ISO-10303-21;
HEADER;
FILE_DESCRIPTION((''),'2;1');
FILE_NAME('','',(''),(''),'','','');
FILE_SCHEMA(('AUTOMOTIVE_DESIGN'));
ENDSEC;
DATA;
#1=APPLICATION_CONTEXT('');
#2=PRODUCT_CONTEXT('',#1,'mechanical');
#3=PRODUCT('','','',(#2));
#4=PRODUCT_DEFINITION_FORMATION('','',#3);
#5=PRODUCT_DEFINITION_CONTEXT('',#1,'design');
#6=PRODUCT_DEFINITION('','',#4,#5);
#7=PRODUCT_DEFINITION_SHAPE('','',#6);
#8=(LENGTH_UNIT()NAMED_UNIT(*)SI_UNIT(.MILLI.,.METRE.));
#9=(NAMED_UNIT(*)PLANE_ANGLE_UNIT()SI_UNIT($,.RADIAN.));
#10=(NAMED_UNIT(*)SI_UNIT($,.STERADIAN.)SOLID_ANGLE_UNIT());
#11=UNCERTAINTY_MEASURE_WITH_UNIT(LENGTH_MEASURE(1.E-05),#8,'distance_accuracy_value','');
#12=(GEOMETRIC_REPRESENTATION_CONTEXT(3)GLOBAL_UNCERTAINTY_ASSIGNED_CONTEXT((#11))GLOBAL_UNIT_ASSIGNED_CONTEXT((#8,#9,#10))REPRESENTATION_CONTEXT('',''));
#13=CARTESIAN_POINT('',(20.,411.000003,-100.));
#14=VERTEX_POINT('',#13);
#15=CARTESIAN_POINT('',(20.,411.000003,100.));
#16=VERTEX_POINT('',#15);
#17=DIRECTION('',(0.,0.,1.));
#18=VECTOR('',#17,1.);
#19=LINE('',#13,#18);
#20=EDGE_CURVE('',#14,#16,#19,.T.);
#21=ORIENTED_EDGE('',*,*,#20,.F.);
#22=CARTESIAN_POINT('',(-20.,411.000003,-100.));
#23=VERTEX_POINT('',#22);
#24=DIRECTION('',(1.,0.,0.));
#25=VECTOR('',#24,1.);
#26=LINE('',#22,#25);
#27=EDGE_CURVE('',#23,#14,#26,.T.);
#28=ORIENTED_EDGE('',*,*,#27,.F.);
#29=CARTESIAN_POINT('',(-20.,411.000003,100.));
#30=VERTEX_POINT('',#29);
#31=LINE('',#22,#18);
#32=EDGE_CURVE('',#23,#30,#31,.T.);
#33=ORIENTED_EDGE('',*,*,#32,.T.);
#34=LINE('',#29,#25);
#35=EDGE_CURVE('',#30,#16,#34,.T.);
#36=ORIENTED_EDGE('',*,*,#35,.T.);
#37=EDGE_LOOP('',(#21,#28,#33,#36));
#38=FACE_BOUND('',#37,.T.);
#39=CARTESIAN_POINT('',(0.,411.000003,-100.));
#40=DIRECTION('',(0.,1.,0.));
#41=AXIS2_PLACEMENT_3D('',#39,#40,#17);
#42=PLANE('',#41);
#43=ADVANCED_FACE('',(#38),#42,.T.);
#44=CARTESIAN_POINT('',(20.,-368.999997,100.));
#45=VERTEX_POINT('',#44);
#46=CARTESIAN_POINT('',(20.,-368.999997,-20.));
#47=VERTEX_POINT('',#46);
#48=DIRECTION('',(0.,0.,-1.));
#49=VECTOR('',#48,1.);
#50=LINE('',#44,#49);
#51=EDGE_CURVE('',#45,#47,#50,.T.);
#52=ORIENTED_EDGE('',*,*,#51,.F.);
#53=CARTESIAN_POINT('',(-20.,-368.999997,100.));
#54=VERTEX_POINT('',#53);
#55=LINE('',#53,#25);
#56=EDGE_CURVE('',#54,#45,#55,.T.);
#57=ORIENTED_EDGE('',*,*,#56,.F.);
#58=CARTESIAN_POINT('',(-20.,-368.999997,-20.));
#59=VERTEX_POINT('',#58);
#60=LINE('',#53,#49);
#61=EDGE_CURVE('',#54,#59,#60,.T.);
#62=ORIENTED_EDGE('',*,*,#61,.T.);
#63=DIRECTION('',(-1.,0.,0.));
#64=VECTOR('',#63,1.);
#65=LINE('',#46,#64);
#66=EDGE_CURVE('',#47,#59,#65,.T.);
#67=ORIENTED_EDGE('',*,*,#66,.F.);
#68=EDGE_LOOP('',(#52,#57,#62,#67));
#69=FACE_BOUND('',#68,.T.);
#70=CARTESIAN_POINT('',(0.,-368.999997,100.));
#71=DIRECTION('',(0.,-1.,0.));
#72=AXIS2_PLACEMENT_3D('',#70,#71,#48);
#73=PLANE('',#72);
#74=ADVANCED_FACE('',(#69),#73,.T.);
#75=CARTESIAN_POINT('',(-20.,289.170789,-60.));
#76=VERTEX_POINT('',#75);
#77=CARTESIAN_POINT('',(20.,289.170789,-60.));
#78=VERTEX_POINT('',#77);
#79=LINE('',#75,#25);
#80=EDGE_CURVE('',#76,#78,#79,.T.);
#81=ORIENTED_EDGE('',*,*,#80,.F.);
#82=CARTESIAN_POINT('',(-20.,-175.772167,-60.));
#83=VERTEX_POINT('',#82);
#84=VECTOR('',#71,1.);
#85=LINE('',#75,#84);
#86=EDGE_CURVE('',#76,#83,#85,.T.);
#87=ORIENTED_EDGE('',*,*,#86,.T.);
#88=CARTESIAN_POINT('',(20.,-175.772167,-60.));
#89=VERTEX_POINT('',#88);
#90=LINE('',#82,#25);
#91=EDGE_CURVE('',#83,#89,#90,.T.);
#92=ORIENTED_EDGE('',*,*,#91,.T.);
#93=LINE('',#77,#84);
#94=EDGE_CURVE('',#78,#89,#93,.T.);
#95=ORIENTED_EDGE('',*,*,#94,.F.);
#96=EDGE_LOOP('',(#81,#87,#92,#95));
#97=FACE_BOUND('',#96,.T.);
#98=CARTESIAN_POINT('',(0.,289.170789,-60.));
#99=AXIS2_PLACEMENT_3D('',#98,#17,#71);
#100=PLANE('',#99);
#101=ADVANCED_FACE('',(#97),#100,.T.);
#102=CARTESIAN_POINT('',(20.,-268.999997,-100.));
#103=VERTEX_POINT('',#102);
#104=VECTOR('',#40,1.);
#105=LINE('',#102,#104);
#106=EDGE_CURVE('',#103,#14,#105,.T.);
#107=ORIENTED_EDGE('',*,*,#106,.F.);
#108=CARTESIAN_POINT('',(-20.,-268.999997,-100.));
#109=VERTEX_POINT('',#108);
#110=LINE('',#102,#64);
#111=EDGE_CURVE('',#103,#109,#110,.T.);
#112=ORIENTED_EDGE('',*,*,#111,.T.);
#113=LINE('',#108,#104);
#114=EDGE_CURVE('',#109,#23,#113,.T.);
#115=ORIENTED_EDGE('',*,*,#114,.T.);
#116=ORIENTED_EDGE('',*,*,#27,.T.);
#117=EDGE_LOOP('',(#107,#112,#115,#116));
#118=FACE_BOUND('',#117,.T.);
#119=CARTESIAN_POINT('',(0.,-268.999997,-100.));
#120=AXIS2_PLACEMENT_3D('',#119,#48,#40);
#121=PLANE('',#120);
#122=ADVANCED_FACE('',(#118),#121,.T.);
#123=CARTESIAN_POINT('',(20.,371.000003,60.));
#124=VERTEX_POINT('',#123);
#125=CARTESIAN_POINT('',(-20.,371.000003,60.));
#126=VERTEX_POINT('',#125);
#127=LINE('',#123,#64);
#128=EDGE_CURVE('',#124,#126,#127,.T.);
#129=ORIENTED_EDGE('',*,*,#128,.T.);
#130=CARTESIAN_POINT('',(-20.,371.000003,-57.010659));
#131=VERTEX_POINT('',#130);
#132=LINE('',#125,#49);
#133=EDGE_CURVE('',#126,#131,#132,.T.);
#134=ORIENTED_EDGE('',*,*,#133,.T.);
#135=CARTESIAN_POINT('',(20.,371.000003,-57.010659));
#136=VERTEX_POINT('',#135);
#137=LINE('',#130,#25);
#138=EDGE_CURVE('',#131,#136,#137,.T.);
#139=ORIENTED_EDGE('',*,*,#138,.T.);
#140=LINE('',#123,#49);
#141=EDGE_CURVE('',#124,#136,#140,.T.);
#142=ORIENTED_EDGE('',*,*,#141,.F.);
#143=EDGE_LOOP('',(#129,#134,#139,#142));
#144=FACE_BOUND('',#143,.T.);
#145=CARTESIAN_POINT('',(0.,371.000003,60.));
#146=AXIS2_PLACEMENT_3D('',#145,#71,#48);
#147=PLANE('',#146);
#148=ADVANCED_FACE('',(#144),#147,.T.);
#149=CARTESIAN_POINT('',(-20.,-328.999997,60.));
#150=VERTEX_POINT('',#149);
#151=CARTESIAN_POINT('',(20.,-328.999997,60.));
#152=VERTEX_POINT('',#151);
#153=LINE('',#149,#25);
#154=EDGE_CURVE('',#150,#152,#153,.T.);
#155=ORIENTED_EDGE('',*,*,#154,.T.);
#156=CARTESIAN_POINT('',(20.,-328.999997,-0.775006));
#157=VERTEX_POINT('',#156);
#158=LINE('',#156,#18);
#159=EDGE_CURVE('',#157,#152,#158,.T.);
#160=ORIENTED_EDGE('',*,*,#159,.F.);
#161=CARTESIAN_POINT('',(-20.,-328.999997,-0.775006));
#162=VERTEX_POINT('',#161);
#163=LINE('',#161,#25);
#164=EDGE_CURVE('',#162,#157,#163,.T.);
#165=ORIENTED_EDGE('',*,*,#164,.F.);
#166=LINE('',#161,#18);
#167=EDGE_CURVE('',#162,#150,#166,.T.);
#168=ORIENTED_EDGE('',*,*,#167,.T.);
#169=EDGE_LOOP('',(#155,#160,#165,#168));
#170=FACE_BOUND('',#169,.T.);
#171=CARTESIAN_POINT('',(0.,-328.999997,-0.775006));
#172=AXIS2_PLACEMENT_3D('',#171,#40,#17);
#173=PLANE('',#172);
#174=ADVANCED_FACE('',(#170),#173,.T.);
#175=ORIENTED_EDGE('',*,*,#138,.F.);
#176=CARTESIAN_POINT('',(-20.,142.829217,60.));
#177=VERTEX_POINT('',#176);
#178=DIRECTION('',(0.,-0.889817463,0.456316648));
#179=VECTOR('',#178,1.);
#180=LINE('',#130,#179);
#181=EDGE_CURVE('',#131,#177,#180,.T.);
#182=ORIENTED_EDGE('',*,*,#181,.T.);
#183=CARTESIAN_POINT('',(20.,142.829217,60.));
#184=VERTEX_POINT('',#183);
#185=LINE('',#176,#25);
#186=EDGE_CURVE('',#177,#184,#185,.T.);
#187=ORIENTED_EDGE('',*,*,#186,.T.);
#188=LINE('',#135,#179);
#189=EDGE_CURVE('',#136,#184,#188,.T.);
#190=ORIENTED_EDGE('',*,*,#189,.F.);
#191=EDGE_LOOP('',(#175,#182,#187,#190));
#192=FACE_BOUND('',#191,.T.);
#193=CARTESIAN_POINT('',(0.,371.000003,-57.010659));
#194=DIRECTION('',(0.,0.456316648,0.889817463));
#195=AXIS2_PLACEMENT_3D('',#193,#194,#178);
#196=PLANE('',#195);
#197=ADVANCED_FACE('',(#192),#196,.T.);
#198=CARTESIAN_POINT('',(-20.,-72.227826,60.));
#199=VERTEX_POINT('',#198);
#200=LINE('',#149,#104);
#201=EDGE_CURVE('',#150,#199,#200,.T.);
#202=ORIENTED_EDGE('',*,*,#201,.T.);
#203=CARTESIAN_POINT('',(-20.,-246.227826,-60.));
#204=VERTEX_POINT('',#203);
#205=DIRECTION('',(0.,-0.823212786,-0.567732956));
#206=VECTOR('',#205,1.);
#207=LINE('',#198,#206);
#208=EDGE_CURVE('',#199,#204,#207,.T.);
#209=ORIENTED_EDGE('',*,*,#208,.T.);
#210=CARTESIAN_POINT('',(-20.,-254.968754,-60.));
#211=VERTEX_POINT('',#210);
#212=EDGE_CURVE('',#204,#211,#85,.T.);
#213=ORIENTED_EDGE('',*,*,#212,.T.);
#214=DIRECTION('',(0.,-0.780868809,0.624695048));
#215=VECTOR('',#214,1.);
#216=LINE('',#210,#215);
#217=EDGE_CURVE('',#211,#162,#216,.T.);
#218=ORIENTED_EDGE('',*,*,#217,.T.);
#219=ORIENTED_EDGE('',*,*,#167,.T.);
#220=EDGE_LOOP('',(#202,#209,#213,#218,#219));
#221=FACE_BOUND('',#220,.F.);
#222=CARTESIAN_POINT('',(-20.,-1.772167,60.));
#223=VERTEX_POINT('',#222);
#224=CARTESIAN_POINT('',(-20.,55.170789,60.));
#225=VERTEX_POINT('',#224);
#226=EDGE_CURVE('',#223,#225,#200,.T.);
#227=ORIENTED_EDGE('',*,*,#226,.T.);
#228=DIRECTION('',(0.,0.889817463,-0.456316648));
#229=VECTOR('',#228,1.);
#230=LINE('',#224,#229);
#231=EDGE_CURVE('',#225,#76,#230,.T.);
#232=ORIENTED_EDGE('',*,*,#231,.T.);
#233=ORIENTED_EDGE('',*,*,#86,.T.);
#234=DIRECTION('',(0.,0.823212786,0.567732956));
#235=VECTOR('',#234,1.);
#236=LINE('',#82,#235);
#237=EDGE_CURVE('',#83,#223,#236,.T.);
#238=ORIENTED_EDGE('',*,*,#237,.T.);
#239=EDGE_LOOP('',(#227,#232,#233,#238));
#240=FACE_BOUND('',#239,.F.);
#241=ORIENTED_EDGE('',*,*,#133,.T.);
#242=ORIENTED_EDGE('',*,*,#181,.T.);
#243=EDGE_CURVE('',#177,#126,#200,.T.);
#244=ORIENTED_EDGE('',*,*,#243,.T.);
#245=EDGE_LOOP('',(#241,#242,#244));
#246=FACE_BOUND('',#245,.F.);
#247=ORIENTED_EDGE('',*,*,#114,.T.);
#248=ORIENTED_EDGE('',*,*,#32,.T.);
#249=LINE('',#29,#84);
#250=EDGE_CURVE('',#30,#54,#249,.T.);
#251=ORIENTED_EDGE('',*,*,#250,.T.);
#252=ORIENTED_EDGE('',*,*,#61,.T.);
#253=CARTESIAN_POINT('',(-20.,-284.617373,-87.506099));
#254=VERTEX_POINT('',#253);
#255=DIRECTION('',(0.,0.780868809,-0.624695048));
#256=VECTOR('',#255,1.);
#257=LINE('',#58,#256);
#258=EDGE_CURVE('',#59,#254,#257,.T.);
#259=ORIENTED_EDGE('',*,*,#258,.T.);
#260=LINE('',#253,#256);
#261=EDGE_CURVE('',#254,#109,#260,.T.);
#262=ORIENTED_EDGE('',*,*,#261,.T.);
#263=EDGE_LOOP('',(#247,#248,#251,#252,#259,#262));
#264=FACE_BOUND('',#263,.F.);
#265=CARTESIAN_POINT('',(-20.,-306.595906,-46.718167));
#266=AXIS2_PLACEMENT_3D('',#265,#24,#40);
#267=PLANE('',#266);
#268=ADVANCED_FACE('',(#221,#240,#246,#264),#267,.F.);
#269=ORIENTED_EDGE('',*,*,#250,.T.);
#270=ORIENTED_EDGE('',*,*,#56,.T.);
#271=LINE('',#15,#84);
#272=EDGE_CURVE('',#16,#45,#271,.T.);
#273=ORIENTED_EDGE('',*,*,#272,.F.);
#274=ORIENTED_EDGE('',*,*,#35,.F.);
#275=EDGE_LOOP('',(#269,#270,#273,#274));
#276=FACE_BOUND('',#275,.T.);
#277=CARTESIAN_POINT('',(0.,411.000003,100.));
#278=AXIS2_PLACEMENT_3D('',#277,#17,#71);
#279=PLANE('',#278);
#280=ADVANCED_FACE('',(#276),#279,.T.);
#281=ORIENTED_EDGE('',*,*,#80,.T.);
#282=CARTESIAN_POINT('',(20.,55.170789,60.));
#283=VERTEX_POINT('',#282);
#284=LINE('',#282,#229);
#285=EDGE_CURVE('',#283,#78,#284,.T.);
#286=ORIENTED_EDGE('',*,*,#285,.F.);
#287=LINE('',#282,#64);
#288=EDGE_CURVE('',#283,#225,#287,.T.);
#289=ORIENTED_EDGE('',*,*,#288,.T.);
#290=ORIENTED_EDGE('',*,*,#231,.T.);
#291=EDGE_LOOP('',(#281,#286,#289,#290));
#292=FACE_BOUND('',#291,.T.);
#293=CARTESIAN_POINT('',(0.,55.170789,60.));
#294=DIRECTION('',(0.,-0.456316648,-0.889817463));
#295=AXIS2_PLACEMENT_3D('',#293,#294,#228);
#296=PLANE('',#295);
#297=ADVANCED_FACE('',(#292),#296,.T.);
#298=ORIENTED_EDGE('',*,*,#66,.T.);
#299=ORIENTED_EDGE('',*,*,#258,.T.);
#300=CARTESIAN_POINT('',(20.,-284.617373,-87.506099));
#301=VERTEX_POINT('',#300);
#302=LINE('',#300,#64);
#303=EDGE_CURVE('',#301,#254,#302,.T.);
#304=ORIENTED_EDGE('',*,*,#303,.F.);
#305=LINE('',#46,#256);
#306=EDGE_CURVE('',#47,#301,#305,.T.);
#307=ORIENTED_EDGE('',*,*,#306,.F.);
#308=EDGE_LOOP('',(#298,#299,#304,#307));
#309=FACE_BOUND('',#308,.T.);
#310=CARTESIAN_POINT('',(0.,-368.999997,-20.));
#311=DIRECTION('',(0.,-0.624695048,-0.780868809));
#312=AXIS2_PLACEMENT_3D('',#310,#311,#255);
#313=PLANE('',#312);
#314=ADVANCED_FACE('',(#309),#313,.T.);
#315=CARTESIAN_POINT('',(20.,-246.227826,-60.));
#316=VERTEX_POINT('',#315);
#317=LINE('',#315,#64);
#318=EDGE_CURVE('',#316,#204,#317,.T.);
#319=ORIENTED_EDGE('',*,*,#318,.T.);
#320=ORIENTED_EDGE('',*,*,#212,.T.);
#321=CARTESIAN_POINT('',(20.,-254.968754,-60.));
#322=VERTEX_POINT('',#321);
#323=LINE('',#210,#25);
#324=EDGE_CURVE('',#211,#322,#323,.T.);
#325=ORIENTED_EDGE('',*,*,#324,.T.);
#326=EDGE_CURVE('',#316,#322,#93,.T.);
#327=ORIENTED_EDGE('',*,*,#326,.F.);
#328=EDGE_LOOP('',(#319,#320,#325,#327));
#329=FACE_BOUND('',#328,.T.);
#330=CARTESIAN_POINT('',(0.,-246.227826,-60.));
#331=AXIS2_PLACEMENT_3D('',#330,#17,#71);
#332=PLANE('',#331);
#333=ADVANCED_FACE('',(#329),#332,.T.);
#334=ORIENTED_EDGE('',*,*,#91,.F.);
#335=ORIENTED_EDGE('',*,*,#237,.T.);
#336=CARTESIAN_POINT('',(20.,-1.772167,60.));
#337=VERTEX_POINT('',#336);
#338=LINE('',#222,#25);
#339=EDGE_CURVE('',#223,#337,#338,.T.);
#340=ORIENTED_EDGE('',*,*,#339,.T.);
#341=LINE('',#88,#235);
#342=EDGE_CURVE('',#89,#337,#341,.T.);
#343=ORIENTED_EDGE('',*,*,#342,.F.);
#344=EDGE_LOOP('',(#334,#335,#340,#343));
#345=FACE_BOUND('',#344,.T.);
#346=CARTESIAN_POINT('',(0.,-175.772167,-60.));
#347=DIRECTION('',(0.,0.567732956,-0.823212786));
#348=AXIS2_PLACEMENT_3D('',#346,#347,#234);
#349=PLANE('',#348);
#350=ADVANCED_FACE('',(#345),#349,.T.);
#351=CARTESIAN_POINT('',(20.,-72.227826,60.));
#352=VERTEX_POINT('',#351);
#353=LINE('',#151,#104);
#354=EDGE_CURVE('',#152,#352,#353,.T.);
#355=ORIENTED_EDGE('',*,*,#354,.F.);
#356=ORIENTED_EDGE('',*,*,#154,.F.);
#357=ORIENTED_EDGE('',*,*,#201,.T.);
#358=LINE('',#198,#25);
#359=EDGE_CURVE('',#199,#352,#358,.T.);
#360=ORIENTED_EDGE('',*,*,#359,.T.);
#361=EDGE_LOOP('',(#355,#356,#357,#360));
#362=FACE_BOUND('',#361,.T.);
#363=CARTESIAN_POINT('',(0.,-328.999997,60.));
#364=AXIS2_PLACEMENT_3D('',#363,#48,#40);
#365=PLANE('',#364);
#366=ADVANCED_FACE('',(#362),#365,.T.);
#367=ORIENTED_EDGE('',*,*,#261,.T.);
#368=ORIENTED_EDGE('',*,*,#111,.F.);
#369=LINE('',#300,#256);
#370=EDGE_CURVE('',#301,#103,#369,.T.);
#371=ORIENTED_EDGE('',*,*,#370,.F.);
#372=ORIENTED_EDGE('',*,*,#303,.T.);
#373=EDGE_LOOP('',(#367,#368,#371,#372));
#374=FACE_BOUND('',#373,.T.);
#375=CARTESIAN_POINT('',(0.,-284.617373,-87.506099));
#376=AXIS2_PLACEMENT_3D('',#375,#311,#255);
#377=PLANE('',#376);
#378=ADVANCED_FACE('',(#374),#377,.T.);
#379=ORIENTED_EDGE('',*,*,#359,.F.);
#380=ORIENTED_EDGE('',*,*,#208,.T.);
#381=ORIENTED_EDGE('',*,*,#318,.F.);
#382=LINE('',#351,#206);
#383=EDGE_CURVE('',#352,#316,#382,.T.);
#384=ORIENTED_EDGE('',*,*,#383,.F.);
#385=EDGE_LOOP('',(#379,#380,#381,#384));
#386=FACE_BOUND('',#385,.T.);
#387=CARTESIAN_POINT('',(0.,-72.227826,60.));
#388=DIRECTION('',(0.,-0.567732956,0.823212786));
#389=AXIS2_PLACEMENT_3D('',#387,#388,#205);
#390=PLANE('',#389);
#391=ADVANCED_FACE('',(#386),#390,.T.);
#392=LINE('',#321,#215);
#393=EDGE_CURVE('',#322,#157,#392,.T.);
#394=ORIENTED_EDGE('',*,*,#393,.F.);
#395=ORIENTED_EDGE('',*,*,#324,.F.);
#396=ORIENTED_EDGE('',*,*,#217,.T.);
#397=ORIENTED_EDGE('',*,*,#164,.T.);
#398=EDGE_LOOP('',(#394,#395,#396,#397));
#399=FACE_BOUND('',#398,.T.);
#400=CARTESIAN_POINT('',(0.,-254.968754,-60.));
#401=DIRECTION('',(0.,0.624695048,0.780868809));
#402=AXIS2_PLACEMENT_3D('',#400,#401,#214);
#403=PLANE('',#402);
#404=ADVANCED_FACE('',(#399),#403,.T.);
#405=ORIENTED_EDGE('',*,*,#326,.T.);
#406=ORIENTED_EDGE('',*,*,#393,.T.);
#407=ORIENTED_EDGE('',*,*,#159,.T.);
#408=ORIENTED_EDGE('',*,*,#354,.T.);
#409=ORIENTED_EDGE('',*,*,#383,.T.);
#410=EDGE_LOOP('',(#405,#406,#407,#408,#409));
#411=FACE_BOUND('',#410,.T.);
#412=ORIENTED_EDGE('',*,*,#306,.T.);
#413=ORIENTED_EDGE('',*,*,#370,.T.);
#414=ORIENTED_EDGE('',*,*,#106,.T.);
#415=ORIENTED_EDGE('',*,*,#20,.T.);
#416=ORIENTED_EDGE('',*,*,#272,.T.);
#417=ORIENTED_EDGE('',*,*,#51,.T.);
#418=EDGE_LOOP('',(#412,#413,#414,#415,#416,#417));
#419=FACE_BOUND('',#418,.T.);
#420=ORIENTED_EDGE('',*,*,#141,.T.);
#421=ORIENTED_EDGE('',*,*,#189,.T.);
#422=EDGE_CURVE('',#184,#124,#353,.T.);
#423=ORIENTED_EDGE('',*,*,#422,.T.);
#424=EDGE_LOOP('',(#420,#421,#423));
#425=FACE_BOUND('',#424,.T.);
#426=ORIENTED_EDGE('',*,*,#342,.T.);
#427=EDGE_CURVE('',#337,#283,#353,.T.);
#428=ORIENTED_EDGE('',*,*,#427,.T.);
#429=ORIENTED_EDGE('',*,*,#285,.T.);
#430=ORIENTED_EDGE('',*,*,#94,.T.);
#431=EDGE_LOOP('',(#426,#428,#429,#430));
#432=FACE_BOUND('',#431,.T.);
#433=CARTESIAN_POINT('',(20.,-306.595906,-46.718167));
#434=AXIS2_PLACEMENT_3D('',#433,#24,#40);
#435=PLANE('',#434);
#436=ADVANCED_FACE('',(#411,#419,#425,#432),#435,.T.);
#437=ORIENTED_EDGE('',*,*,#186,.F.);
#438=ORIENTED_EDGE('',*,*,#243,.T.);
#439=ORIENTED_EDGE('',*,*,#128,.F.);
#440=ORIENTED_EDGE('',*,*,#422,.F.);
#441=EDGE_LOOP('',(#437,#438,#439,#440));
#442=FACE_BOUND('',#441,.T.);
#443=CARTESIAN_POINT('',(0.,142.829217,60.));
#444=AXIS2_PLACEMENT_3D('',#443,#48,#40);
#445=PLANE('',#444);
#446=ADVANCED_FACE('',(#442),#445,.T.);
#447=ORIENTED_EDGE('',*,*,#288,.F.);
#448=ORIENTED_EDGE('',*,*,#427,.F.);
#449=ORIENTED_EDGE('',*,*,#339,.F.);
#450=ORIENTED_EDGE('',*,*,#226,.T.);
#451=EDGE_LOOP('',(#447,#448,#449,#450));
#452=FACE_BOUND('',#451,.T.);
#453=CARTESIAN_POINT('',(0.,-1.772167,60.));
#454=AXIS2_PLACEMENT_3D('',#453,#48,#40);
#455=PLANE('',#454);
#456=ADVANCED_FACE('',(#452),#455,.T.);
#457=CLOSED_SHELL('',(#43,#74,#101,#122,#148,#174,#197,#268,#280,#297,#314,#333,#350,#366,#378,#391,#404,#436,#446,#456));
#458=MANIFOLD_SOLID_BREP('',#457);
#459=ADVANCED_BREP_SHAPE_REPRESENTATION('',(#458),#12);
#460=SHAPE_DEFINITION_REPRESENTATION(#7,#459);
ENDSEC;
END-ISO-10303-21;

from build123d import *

# Parameters (mm, degrees)
F1_DEPTH = 20


with BuildPart() as f1:
    # F0 (on Right) → F1 (new body, symmetric)
    with BuildSketch(Plane.YZ):
        with BuildLine():
            Line((-304.9687541528, -20), (-368.9999965272, -20))
            Line((-368.9999965272, -20), (-284.617372716, -87.5060990489))
            ThreePointArc((-284.617372716, -87.5060990489), (-282.6313428058, -85.3648915743), (-280.3546556432, -83.5357442817))
            Line((-280.3546556432, -83.5357442817), (-246.2278264348, -60))
            Line((-246.2278264348, -60), (-254.9687541528, -60))
            Line((-254.9687541528, -60), (-304.9687541528, -20))
        make_face()
        Polygon((-175.7721666195, -60), (-233.7721666195, -100), (367.1707894712, -100), (289.1707894712, -60), align=None)
        Polygon((411.0000034728, 100), (64.8292174745, 100), (142.8292174745, 60), (371.0000034728, 60), (371.0000034728, -57.0106594863), (411.0000034728, -77.5234799992), align=None)
        with BuildLine():
            Line((64.8292174745, 100), (41.0000034728, 100))
            ThreePointArc((41.0000034728, 100), (40.4412866754, 95.3056941474), (38.7963527291, 90.8736670481))
            Line((38.7963527291, 90.8736670481), (99.0000034728, 60))
            Line((99.0000034728, 60), (142.8292174745, 60))
            Line((142.8292174745, 60), (64.8292174745, 100))
        make_face()
        with BuildLine():
            Line((99.0000034728, 60), (38.7963527291, 90.8736670481))
            ThreePointArc((38.7963527291, 90.8736670481), (36.0301930895, 86.8055541955), (32.3546625889, 83.5357442817))
            Line((32.3546625889, 83.5357442817), (22.5123293603, 76.747928262))
            Line((22.5123293603, 76.747928262), (55.1707894712, 60))
            Line((55.1707894712, 60), (99.0000034728, 60))
        make_face()
        Polygon((22.5123293603, 76.747928262), (-1.7721666195, 60), (55.1707894712, 60), align=None)
        with BuildLine():
            ThreePointArc((11.8736705209, 82.2036507437), (7.8055576683, 84.9698103834), (4.5357477545, 88.6453408839))
            Line((4.5357477545, 88.6453408839), (-36.9999965272, 60))
            Line((-36.9999965272, 60), (-1.7721666195, 60))
            Line((-1.7721666195, 60), (22.5123293603, 76.747928262))
            Line((22.5123293603, 76.747928262), (11.8736705209, 82.2036507437))
        make_face()
        with BuildLine():
            Line((1.0000034728, 100), (-14.2278264348, 100))
            Line((-14.2278264348, 100), (-72.2278264348, 60))
            Line((-72.2278264348, 60), (-36.9999965272, 60))
            Line((-36.9999965272, 60), (4.5357477545, 88.6453408839))
            ThreePointArc((4.5357477545, 88.6453408839), (1.9043872957, 94.0537875234), (1.0000034728, 100))
        make_face()
        with BuildLine():
            Line((21.0000034728, 100), (1.0000034728, 100))
            ThreePointArc((1.0000034728, 100), (1.9043872957, 94.0537875234), (4.5357477545, 88.6453408839))
            Line((4.5357477545, 88.6453408839), (21.0000034728, 100))
        make_face()
        with BuildLine():
            Line((38.7963527291, 90.8736670481), (21.0000034728, 100))
            Line((21.0000034728, 100), (4.5357477545, 88.6453408839))
            ThreePointArc((4.5357477545, 88.6453408839), (7.8055576683, 84.9698103834), (11.8736705209, 82.2036507437))
            Line((11.8736705209, 82.2036507437), (22.5123293603, 76.747928262))
            Line((22.5123293603, 76.747928262), (32.3546625889, 83.5357442817))
            ThreePointArc((32.3546625889, 83.5357442817), (36.0301930895, 86.8055541955), (38.7963527291, 90.8736670481))
        make_face()
        with BuildLine():
            Line((41.0000034728, 100), (21.0000034728, 100))
            Line((21.0000034728, 100), (38.7963527291, 90.8736670481))
            ThreePointArc((38.7963527291, 90.8736670481), (40.4412866754, 95.3056941474), (41.0000034728, 100))
        make_face()
        Polygon((-368.9999965272, 100), (-368.9999965272, 0), (-368.9999965272, -20), (-304.9687541528, -20), (-328.9999965272, -0.7750061005), (-328.9999965272, 60), (-72.2278264348, 60), (-14.2278264348, 100), align=None)
        Polygon((-210.9999965272, -60), (-268.9999965272, -100), (-233.7721666195, -100), (-175.7721666195, -60), align=None)
        with BuildLine():
            ThreePointArc((-280.3546556432, -83.5357442817), (-282.6313428058, -85.3648915743), (-284.617372716, -87.5060990489))
            Line((-284.617372716, -87.5060990489), (-268.9999965272, -100))
            Line((-268.9999965272, -100), (-210.9999965272, -60))
            Line((-210.9999965272, -60), (-246.2278264348, -60))
            Line((-246.2278264348, -60), (-280.3546556432, -83.5357442817))
        make_face()
        Polygon((-36.9999965272, 60), (-72.2278264348, 60), (-246.2278264348, -60), (-210.9999965272, -60), align=None)
        Polygon((-36.9999965272, 60), (-210.9999965272, -60), (-175.7721666195, -60), (-1.7721666195, 60), align=None)
        Polygon((55.1707894712, 60), (289.1707894712, -60), (333.0000034728, -60), (99.0000034728, 60), align=None)
        Polygon((142.8292174745, 60), (99.0000034728, 60), (333.0000034728, -60), (371.0000034728, -60), (371.0000034728, -57.0106594863), align=None)
        Polygon((289.1707894712, -60), (367.1707894712, -100), (411.0000034728, -100), (333.0000034728, -60), align=None)
        Polygon((333.0000034728, -60), (411.0000034728, -100), (411.0000034728, -77.5234799992), (371.0000034728, -57.0106594863), (371.0000034728, -60), align=None)
    extrude(amount=F1_DEPTH, both=True)


solid = f1.part
